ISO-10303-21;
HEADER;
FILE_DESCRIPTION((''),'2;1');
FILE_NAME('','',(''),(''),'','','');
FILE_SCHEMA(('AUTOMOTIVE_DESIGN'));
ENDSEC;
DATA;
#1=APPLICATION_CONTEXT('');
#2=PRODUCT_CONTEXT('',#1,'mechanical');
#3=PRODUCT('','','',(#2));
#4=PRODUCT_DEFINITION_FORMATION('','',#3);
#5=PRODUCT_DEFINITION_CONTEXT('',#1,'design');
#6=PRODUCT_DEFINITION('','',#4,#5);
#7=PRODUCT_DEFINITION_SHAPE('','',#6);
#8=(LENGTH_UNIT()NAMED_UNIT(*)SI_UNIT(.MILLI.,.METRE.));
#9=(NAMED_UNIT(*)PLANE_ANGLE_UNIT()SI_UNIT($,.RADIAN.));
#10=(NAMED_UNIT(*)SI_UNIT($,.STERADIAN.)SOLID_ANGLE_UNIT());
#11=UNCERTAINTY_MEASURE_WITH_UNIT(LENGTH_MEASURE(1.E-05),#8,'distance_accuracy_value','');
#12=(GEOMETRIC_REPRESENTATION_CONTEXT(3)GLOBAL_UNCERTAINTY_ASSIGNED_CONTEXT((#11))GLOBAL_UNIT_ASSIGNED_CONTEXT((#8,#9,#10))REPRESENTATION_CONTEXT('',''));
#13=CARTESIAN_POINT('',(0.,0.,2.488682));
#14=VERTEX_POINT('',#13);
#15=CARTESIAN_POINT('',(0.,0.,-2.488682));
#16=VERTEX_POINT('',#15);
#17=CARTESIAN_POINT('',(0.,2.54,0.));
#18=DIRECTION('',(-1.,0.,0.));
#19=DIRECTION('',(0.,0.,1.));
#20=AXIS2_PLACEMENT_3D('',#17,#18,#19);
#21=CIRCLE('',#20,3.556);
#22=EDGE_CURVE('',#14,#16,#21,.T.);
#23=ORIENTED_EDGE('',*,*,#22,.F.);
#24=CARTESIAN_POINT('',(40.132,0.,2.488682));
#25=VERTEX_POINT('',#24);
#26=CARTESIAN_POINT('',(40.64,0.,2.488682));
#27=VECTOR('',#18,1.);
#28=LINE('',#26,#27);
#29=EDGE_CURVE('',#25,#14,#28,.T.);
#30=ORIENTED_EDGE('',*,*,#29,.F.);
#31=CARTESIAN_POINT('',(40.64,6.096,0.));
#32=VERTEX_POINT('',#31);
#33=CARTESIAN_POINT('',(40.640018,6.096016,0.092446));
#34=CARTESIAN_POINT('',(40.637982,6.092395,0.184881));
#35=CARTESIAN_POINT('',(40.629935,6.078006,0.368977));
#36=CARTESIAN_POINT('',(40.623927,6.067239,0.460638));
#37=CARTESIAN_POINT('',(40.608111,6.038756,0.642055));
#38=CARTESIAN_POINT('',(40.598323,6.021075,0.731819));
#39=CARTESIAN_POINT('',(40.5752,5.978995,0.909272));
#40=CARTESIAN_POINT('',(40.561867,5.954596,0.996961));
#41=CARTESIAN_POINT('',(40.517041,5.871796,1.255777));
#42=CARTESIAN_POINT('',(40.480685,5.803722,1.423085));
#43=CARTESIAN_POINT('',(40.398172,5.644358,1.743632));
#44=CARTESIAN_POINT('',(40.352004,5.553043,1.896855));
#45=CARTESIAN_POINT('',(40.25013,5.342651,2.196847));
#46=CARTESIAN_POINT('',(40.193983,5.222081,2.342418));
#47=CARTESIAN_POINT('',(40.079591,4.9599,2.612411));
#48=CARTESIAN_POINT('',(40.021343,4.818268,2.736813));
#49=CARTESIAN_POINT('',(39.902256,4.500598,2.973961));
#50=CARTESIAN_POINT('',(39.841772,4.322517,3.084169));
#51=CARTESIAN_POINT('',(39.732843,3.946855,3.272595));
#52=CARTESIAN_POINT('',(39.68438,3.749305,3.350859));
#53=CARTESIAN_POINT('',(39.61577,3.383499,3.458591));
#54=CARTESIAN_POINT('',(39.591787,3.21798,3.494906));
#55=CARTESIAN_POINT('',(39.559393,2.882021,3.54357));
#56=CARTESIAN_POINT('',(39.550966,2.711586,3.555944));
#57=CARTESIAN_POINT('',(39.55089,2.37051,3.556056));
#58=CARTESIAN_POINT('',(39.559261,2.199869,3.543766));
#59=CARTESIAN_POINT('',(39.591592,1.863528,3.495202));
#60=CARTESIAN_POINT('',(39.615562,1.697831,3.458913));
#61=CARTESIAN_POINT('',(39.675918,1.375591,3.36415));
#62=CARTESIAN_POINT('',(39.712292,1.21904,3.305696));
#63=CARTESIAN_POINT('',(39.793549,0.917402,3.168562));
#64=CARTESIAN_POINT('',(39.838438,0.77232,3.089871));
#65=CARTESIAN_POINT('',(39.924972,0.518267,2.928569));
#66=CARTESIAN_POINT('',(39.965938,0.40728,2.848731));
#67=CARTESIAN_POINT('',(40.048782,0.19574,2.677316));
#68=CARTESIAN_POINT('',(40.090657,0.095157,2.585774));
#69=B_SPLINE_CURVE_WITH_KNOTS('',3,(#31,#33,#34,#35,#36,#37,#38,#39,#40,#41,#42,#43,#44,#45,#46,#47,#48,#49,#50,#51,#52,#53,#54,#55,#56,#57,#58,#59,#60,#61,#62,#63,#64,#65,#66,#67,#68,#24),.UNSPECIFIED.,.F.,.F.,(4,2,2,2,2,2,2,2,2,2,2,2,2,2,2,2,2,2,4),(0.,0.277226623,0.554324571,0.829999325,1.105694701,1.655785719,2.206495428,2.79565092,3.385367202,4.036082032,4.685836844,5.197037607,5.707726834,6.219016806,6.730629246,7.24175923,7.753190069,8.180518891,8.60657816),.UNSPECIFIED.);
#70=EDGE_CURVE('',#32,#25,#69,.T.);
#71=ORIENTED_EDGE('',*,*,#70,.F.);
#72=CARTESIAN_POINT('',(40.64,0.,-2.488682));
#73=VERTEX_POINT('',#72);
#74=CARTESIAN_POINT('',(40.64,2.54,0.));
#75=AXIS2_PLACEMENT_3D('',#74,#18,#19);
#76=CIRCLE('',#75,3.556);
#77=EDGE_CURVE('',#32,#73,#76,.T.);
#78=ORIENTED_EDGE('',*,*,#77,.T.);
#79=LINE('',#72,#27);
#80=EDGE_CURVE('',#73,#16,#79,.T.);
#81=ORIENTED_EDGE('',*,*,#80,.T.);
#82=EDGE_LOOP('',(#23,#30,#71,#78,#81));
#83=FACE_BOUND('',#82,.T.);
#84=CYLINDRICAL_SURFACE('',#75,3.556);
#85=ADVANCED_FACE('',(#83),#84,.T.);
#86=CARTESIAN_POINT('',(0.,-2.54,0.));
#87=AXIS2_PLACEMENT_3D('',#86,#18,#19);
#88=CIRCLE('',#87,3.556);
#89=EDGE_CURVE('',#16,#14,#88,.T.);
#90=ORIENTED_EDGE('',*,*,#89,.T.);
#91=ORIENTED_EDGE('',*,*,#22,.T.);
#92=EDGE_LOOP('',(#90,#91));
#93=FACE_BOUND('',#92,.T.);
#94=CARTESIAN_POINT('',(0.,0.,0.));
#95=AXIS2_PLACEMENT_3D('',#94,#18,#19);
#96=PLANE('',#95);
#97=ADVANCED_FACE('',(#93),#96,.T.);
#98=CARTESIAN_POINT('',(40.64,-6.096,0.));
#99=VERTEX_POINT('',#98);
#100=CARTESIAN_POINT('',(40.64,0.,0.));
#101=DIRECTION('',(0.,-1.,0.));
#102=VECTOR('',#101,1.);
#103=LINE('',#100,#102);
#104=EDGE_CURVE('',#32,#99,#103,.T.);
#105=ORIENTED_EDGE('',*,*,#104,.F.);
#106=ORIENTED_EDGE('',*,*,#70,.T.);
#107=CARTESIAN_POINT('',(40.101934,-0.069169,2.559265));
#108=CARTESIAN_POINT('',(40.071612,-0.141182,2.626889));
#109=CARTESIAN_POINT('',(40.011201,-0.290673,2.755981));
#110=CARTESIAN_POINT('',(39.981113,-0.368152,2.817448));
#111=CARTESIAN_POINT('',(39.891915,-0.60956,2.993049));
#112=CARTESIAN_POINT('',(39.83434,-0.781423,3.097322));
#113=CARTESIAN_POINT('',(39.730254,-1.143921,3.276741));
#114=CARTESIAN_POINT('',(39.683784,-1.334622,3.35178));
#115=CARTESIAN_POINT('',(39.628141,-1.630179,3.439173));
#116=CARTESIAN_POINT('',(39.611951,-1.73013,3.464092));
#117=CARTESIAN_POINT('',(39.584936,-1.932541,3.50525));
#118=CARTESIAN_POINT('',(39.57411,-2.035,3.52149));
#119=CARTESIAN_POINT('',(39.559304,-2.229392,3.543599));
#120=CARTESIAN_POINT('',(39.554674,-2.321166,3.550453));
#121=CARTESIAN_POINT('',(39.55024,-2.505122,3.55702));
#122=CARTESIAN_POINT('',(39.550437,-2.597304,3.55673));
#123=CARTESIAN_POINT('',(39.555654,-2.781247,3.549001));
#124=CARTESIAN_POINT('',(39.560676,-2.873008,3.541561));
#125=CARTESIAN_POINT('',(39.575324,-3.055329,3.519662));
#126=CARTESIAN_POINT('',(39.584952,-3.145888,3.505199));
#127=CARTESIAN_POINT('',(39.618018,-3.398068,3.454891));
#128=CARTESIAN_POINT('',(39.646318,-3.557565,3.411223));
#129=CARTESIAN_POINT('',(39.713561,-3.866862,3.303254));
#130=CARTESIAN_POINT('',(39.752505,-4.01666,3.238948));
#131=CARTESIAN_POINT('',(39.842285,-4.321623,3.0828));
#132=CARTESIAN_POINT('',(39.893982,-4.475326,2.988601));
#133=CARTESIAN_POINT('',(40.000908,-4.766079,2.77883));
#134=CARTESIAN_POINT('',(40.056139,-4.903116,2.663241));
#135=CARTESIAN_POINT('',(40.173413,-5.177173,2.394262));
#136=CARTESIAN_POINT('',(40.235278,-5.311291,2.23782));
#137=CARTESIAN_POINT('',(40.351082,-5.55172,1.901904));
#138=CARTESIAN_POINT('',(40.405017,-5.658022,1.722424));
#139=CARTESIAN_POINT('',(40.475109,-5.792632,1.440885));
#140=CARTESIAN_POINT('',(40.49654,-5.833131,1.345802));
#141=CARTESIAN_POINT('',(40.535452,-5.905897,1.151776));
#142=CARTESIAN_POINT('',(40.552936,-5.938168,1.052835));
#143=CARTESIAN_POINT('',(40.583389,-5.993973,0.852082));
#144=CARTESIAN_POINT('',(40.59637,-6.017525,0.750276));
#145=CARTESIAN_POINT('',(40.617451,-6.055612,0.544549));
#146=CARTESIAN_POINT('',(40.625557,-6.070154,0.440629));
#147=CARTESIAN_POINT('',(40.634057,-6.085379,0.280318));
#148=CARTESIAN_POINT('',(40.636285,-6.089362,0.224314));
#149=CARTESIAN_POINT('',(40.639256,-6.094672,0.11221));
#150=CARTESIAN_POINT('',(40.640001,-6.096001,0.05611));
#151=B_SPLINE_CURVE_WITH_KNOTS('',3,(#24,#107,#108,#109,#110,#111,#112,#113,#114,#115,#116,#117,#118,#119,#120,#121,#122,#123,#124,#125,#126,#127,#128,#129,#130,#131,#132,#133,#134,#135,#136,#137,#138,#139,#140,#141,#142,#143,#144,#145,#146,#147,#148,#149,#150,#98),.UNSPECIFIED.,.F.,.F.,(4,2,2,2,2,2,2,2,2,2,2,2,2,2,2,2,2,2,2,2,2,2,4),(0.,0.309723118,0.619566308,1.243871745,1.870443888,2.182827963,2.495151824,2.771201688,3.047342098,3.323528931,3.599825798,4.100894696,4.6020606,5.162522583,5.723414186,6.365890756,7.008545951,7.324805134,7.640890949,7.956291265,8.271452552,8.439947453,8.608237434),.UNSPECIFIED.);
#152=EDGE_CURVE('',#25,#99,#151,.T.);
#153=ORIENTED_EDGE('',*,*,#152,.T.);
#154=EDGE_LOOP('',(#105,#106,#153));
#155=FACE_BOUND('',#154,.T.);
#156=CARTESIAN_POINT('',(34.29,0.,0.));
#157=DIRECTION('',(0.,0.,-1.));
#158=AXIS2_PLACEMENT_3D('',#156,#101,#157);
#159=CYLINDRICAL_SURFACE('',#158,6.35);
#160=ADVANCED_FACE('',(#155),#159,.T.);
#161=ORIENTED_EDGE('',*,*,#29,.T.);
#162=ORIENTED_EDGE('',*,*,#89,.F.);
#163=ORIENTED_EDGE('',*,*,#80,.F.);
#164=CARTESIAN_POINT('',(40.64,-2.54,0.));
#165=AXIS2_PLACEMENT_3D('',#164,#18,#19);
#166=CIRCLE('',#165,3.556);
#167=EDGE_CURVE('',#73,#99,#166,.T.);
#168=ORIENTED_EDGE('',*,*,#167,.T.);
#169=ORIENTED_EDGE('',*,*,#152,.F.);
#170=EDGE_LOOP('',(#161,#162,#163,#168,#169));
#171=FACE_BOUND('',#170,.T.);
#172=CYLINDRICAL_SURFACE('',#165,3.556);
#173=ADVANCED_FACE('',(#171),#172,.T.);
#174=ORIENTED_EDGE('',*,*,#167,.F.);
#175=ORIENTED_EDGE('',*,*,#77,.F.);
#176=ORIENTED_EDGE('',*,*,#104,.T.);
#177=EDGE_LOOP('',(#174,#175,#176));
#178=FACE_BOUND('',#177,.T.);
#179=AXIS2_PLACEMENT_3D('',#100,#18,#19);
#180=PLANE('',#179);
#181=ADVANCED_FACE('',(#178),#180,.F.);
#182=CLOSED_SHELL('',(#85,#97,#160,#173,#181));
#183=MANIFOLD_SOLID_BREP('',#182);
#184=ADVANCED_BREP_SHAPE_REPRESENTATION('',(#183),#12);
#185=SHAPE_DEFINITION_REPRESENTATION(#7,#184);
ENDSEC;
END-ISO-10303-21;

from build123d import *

# Parameters (mm, degrees)
SKETCH2_W           = 12.7
SKETCH2_H           = 12.7
BOSS_EXTRUDE1_DEPTH = 40.64
FILLET1_R           = 6.35
SKETCH3_W           = 12.7
SKETCH3_H           = 12.7
CUT_EXTRUDE2_DEPTH  = 42.620362805


with BuildPart() as part:
    # Sketch2 → Boss-Extrude1 (new body)
    with BuildSketch(Plane(origin=(0, 0, 0), x_dir=(0, 0, -1), z_dir=(1, 0, 0))):
        Rectangle(SKETCH2_W, SKETCH2_H)
    extrude(amount=BOSS_EXTRUDE1_DEPTH)

    # Fillet1
    fillet1_edges = [part.edges().sort_by_distance(p)[0] for p in [
        (40.64, 0, 6.35),
    ]]
    fillet(fillet1_edges, radius=FILLET1_R)

    # Sketch3 → Cut-Extrude2 (cut, through all)
    with BuildSketch(Plane.ZY):
        Rectangle(SKETCH3_W, SKETCH3_H)
        with BuildLine():
            ThreePointArc((2.488681579, 0), (3.278329429, -1.162432523), (3.556, -2.54))
            ThreePointArc((3.556, -2.54), (-1.377567477, -5.818329429), (-2.488681579, 0))
            ThreePointArc((-2.488681579, 0), (-1.377567477, 5.818329429), (3.556, 2.54))
            ThreePointArc((3.556, 2.54), (3.278329429, 1.162432523), (2.488681579, 0))
        make_face(mode=Mode.SUBTRACT)
    extrude(amount=-CUT_EXTRUDE2_DEPTH, mode=Mode.SUBTRACT)


solid = part.part
